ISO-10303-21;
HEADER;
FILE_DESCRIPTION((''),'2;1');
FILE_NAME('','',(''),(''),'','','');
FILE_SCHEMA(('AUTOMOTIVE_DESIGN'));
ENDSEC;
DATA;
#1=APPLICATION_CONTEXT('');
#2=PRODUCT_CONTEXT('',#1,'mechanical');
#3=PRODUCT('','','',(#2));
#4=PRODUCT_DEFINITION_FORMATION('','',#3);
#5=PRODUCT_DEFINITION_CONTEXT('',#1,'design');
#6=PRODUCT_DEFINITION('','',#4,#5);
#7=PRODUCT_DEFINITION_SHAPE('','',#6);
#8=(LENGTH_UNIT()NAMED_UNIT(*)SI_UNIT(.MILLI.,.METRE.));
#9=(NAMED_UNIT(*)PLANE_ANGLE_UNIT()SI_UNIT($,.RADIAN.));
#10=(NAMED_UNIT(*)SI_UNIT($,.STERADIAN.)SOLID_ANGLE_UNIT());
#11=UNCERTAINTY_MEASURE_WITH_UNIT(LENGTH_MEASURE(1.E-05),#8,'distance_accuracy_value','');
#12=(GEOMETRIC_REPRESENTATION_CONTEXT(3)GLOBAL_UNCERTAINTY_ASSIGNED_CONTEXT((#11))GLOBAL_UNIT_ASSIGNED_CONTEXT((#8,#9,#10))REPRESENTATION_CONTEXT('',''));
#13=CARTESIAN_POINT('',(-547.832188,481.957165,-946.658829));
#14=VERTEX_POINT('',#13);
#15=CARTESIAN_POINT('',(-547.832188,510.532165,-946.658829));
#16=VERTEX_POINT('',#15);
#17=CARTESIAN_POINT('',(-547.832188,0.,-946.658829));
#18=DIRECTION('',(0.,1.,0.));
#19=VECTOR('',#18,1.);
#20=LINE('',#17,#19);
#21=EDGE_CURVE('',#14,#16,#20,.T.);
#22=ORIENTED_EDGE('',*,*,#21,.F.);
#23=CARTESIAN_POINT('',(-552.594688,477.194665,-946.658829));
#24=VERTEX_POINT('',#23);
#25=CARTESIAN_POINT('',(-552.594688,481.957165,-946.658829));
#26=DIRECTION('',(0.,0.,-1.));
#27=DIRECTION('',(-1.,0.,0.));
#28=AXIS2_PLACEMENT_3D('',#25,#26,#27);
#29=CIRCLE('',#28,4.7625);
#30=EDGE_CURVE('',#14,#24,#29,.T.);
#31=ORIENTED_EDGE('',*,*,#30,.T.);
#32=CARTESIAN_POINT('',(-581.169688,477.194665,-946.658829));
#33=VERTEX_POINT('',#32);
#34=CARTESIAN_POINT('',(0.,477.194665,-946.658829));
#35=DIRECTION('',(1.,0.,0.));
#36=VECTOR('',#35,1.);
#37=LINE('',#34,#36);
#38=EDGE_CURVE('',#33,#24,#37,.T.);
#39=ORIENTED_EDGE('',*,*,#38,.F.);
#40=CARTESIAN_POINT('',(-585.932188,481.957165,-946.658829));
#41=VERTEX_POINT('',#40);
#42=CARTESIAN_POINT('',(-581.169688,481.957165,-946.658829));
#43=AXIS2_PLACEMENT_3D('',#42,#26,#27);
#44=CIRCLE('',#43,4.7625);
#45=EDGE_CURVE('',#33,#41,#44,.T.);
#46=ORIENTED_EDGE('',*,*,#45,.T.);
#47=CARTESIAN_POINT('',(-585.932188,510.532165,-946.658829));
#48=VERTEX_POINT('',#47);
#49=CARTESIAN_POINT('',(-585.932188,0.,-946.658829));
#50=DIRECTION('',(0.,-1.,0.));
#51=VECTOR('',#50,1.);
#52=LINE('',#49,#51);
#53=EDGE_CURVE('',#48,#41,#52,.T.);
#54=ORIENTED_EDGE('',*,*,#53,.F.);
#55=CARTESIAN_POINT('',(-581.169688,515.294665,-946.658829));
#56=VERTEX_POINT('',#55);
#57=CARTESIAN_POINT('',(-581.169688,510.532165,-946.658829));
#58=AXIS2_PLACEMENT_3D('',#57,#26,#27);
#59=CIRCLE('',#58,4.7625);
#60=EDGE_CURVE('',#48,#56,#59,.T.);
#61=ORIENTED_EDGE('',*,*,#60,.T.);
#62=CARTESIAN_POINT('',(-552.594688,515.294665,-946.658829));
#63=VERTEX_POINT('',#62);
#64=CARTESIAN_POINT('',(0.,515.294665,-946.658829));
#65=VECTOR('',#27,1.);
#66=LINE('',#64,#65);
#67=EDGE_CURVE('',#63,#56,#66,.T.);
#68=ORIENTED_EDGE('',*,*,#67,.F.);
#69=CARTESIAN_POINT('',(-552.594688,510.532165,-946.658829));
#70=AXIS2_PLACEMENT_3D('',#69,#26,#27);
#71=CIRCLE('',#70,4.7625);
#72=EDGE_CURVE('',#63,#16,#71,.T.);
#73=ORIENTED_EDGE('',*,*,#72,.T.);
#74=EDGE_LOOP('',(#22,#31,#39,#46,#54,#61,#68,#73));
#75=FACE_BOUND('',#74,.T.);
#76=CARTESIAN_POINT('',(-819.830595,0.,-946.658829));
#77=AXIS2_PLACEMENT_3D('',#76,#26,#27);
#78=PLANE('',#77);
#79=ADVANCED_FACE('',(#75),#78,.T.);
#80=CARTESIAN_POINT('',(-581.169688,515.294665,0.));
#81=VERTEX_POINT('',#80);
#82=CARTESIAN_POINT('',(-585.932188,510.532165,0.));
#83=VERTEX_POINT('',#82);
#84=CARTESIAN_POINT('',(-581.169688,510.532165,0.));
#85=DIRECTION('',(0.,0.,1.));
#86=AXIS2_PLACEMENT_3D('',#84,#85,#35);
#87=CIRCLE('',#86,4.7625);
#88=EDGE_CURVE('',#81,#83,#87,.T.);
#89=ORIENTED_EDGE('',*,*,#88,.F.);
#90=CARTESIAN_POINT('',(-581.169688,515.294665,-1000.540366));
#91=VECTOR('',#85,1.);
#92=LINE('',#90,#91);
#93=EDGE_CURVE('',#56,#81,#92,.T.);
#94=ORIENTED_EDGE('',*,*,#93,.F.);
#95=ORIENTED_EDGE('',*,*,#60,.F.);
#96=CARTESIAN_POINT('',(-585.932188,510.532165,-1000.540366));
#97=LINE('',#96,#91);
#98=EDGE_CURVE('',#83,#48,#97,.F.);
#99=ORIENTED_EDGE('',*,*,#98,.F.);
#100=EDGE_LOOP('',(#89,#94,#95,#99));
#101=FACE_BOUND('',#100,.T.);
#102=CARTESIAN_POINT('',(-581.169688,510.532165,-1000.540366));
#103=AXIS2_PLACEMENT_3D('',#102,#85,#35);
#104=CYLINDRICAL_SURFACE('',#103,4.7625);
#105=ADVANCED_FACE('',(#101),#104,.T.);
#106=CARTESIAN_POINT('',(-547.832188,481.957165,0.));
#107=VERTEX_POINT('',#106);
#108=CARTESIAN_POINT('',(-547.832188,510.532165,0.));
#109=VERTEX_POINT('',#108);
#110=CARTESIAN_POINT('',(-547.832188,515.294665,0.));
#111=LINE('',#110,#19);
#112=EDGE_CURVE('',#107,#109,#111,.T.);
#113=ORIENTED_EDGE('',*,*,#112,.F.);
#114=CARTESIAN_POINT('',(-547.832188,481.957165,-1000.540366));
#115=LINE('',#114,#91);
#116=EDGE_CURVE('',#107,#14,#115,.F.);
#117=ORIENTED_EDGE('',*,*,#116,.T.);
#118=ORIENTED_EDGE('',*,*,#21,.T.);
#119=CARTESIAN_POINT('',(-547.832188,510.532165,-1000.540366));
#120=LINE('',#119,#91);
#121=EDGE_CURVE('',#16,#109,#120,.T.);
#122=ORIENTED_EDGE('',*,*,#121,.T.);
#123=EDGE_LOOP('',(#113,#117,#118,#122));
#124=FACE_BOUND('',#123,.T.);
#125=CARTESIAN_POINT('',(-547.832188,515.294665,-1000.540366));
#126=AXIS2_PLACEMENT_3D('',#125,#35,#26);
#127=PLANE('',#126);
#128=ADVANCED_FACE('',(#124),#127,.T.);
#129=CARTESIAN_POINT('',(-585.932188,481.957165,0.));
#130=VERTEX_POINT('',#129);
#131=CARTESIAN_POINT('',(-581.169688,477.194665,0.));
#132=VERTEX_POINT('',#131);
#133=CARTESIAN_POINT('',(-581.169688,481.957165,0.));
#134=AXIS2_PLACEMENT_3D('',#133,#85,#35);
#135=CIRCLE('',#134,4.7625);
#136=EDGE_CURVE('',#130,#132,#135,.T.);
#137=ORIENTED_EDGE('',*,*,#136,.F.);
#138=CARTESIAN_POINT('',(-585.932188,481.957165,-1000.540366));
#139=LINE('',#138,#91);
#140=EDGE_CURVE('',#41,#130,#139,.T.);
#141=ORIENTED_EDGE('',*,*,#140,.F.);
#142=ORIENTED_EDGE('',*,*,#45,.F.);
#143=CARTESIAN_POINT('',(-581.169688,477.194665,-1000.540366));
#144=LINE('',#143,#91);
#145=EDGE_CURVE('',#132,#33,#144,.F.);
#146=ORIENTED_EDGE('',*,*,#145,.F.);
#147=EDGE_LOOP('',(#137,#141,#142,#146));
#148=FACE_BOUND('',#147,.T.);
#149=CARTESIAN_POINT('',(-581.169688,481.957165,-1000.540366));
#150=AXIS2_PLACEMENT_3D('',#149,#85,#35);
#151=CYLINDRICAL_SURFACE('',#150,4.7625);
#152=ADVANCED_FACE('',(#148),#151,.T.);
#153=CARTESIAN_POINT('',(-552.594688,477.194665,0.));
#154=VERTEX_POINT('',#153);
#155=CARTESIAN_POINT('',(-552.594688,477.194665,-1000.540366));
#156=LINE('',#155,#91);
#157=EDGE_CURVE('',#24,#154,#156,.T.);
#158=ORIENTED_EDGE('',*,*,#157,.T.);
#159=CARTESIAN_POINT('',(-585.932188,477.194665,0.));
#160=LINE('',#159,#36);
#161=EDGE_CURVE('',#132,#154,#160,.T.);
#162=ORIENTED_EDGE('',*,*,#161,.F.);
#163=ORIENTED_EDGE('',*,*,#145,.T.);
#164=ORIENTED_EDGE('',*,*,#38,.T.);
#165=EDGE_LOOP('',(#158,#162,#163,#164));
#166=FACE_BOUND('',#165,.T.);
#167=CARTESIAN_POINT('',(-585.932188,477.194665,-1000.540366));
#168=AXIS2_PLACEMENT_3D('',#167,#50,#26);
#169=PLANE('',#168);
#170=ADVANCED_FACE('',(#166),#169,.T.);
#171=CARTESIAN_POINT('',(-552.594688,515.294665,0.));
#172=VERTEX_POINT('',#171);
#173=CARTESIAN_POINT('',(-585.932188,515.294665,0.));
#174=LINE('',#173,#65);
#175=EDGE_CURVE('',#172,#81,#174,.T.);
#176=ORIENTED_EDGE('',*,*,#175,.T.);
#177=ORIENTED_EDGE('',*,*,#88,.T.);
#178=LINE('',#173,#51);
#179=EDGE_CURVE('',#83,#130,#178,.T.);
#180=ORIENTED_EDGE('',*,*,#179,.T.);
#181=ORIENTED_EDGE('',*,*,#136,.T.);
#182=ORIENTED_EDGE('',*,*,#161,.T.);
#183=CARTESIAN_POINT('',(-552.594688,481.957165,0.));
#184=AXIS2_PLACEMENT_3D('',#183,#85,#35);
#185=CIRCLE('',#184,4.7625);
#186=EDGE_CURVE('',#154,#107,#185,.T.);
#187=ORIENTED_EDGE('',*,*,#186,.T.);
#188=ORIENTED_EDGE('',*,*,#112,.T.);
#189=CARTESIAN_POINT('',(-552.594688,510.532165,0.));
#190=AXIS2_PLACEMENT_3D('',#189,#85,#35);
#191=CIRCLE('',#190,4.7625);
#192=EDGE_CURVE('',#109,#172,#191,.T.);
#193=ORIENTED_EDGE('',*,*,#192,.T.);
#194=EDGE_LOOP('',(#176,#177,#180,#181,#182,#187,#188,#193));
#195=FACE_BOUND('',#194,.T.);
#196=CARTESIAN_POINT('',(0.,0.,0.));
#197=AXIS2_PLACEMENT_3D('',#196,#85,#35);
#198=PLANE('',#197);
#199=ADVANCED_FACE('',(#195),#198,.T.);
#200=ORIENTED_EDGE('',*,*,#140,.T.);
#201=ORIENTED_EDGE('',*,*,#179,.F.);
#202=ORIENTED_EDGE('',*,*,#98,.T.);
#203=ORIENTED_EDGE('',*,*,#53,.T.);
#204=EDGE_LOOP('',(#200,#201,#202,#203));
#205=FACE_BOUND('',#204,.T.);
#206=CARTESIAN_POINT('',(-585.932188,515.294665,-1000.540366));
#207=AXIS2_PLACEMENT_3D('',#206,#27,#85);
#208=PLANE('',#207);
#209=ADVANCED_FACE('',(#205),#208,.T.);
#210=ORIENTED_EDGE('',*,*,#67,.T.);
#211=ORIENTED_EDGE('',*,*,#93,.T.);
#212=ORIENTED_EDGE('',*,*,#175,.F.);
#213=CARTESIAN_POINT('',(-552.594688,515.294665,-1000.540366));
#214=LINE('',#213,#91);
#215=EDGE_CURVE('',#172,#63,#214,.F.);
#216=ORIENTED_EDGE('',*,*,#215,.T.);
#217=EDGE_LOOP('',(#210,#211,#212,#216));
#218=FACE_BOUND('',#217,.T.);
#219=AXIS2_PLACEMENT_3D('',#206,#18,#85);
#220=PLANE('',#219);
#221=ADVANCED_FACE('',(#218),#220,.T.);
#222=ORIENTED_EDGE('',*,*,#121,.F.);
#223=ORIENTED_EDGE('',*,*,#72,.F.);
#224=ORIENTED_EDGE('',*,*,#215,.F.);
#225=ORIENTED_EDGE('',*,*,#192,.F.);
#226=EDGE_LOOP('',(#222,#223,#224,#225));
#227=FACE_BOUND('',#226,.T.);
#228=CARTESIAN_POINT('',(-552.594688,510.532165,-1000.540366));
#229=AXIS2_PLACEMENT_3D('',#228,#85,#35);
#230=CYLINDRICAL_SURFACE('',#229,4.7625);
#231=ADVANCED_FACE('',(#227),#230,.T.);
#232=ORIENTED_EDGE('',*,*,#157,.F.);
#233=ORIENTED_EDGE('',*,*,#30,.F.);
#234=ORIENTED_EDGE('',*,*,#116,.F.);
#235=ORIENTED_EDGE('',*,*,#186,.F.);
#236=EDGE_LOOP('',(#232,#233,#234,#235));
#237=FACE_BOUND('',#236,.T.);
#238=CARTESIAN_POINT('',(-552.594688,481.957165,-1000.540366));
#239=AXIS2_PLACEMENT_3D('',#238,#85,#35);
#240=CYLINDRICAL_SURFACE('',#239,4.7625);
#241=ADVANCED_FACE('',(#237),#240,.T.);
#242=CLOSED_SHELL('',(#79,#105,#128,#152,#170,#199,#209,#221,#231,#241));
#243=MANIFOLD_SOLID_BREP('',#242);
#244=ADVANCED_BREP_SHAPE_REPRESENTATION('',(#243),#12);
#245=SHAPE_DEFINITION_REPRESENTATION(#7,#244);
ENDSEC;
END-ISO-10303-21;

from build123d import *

# Parameters (mm, degrees)
SKETCH1_W           = 38.1
SKETCH1_H           = 38.1
BOSS_EXTRUDE1_DEPTH = 946.658829
FILLET1_R           = 4.7625


with BuildPart() as part:
    # Sketch1 → Boss-Extrude1 (new body)
    with BuildSketch(Plane.XY):
        with Locations((-566.882187925, 496.244664652)):
            Rectangle(SKETCH1_W, SKETCH1_H)
    extrude(amount=-BOSS_EXTRUDE1_DEPTH)

    # Fillet1
    fillet1_edges = [part.edges().sort_by_distance(p)[0] for p in [
        (-547.832187925, 477.194664652, -473.3294145),
        (-547.832187925, 515.294664652, -473.3294145),
        (-585.932187925, 515.294664652, -473.3294145),
        (-585.932187925, 477.194664652, -473.3294145),
    ]]
    fillet(fillet1_edges, radius=FILLET1_R)


solid = part.part
